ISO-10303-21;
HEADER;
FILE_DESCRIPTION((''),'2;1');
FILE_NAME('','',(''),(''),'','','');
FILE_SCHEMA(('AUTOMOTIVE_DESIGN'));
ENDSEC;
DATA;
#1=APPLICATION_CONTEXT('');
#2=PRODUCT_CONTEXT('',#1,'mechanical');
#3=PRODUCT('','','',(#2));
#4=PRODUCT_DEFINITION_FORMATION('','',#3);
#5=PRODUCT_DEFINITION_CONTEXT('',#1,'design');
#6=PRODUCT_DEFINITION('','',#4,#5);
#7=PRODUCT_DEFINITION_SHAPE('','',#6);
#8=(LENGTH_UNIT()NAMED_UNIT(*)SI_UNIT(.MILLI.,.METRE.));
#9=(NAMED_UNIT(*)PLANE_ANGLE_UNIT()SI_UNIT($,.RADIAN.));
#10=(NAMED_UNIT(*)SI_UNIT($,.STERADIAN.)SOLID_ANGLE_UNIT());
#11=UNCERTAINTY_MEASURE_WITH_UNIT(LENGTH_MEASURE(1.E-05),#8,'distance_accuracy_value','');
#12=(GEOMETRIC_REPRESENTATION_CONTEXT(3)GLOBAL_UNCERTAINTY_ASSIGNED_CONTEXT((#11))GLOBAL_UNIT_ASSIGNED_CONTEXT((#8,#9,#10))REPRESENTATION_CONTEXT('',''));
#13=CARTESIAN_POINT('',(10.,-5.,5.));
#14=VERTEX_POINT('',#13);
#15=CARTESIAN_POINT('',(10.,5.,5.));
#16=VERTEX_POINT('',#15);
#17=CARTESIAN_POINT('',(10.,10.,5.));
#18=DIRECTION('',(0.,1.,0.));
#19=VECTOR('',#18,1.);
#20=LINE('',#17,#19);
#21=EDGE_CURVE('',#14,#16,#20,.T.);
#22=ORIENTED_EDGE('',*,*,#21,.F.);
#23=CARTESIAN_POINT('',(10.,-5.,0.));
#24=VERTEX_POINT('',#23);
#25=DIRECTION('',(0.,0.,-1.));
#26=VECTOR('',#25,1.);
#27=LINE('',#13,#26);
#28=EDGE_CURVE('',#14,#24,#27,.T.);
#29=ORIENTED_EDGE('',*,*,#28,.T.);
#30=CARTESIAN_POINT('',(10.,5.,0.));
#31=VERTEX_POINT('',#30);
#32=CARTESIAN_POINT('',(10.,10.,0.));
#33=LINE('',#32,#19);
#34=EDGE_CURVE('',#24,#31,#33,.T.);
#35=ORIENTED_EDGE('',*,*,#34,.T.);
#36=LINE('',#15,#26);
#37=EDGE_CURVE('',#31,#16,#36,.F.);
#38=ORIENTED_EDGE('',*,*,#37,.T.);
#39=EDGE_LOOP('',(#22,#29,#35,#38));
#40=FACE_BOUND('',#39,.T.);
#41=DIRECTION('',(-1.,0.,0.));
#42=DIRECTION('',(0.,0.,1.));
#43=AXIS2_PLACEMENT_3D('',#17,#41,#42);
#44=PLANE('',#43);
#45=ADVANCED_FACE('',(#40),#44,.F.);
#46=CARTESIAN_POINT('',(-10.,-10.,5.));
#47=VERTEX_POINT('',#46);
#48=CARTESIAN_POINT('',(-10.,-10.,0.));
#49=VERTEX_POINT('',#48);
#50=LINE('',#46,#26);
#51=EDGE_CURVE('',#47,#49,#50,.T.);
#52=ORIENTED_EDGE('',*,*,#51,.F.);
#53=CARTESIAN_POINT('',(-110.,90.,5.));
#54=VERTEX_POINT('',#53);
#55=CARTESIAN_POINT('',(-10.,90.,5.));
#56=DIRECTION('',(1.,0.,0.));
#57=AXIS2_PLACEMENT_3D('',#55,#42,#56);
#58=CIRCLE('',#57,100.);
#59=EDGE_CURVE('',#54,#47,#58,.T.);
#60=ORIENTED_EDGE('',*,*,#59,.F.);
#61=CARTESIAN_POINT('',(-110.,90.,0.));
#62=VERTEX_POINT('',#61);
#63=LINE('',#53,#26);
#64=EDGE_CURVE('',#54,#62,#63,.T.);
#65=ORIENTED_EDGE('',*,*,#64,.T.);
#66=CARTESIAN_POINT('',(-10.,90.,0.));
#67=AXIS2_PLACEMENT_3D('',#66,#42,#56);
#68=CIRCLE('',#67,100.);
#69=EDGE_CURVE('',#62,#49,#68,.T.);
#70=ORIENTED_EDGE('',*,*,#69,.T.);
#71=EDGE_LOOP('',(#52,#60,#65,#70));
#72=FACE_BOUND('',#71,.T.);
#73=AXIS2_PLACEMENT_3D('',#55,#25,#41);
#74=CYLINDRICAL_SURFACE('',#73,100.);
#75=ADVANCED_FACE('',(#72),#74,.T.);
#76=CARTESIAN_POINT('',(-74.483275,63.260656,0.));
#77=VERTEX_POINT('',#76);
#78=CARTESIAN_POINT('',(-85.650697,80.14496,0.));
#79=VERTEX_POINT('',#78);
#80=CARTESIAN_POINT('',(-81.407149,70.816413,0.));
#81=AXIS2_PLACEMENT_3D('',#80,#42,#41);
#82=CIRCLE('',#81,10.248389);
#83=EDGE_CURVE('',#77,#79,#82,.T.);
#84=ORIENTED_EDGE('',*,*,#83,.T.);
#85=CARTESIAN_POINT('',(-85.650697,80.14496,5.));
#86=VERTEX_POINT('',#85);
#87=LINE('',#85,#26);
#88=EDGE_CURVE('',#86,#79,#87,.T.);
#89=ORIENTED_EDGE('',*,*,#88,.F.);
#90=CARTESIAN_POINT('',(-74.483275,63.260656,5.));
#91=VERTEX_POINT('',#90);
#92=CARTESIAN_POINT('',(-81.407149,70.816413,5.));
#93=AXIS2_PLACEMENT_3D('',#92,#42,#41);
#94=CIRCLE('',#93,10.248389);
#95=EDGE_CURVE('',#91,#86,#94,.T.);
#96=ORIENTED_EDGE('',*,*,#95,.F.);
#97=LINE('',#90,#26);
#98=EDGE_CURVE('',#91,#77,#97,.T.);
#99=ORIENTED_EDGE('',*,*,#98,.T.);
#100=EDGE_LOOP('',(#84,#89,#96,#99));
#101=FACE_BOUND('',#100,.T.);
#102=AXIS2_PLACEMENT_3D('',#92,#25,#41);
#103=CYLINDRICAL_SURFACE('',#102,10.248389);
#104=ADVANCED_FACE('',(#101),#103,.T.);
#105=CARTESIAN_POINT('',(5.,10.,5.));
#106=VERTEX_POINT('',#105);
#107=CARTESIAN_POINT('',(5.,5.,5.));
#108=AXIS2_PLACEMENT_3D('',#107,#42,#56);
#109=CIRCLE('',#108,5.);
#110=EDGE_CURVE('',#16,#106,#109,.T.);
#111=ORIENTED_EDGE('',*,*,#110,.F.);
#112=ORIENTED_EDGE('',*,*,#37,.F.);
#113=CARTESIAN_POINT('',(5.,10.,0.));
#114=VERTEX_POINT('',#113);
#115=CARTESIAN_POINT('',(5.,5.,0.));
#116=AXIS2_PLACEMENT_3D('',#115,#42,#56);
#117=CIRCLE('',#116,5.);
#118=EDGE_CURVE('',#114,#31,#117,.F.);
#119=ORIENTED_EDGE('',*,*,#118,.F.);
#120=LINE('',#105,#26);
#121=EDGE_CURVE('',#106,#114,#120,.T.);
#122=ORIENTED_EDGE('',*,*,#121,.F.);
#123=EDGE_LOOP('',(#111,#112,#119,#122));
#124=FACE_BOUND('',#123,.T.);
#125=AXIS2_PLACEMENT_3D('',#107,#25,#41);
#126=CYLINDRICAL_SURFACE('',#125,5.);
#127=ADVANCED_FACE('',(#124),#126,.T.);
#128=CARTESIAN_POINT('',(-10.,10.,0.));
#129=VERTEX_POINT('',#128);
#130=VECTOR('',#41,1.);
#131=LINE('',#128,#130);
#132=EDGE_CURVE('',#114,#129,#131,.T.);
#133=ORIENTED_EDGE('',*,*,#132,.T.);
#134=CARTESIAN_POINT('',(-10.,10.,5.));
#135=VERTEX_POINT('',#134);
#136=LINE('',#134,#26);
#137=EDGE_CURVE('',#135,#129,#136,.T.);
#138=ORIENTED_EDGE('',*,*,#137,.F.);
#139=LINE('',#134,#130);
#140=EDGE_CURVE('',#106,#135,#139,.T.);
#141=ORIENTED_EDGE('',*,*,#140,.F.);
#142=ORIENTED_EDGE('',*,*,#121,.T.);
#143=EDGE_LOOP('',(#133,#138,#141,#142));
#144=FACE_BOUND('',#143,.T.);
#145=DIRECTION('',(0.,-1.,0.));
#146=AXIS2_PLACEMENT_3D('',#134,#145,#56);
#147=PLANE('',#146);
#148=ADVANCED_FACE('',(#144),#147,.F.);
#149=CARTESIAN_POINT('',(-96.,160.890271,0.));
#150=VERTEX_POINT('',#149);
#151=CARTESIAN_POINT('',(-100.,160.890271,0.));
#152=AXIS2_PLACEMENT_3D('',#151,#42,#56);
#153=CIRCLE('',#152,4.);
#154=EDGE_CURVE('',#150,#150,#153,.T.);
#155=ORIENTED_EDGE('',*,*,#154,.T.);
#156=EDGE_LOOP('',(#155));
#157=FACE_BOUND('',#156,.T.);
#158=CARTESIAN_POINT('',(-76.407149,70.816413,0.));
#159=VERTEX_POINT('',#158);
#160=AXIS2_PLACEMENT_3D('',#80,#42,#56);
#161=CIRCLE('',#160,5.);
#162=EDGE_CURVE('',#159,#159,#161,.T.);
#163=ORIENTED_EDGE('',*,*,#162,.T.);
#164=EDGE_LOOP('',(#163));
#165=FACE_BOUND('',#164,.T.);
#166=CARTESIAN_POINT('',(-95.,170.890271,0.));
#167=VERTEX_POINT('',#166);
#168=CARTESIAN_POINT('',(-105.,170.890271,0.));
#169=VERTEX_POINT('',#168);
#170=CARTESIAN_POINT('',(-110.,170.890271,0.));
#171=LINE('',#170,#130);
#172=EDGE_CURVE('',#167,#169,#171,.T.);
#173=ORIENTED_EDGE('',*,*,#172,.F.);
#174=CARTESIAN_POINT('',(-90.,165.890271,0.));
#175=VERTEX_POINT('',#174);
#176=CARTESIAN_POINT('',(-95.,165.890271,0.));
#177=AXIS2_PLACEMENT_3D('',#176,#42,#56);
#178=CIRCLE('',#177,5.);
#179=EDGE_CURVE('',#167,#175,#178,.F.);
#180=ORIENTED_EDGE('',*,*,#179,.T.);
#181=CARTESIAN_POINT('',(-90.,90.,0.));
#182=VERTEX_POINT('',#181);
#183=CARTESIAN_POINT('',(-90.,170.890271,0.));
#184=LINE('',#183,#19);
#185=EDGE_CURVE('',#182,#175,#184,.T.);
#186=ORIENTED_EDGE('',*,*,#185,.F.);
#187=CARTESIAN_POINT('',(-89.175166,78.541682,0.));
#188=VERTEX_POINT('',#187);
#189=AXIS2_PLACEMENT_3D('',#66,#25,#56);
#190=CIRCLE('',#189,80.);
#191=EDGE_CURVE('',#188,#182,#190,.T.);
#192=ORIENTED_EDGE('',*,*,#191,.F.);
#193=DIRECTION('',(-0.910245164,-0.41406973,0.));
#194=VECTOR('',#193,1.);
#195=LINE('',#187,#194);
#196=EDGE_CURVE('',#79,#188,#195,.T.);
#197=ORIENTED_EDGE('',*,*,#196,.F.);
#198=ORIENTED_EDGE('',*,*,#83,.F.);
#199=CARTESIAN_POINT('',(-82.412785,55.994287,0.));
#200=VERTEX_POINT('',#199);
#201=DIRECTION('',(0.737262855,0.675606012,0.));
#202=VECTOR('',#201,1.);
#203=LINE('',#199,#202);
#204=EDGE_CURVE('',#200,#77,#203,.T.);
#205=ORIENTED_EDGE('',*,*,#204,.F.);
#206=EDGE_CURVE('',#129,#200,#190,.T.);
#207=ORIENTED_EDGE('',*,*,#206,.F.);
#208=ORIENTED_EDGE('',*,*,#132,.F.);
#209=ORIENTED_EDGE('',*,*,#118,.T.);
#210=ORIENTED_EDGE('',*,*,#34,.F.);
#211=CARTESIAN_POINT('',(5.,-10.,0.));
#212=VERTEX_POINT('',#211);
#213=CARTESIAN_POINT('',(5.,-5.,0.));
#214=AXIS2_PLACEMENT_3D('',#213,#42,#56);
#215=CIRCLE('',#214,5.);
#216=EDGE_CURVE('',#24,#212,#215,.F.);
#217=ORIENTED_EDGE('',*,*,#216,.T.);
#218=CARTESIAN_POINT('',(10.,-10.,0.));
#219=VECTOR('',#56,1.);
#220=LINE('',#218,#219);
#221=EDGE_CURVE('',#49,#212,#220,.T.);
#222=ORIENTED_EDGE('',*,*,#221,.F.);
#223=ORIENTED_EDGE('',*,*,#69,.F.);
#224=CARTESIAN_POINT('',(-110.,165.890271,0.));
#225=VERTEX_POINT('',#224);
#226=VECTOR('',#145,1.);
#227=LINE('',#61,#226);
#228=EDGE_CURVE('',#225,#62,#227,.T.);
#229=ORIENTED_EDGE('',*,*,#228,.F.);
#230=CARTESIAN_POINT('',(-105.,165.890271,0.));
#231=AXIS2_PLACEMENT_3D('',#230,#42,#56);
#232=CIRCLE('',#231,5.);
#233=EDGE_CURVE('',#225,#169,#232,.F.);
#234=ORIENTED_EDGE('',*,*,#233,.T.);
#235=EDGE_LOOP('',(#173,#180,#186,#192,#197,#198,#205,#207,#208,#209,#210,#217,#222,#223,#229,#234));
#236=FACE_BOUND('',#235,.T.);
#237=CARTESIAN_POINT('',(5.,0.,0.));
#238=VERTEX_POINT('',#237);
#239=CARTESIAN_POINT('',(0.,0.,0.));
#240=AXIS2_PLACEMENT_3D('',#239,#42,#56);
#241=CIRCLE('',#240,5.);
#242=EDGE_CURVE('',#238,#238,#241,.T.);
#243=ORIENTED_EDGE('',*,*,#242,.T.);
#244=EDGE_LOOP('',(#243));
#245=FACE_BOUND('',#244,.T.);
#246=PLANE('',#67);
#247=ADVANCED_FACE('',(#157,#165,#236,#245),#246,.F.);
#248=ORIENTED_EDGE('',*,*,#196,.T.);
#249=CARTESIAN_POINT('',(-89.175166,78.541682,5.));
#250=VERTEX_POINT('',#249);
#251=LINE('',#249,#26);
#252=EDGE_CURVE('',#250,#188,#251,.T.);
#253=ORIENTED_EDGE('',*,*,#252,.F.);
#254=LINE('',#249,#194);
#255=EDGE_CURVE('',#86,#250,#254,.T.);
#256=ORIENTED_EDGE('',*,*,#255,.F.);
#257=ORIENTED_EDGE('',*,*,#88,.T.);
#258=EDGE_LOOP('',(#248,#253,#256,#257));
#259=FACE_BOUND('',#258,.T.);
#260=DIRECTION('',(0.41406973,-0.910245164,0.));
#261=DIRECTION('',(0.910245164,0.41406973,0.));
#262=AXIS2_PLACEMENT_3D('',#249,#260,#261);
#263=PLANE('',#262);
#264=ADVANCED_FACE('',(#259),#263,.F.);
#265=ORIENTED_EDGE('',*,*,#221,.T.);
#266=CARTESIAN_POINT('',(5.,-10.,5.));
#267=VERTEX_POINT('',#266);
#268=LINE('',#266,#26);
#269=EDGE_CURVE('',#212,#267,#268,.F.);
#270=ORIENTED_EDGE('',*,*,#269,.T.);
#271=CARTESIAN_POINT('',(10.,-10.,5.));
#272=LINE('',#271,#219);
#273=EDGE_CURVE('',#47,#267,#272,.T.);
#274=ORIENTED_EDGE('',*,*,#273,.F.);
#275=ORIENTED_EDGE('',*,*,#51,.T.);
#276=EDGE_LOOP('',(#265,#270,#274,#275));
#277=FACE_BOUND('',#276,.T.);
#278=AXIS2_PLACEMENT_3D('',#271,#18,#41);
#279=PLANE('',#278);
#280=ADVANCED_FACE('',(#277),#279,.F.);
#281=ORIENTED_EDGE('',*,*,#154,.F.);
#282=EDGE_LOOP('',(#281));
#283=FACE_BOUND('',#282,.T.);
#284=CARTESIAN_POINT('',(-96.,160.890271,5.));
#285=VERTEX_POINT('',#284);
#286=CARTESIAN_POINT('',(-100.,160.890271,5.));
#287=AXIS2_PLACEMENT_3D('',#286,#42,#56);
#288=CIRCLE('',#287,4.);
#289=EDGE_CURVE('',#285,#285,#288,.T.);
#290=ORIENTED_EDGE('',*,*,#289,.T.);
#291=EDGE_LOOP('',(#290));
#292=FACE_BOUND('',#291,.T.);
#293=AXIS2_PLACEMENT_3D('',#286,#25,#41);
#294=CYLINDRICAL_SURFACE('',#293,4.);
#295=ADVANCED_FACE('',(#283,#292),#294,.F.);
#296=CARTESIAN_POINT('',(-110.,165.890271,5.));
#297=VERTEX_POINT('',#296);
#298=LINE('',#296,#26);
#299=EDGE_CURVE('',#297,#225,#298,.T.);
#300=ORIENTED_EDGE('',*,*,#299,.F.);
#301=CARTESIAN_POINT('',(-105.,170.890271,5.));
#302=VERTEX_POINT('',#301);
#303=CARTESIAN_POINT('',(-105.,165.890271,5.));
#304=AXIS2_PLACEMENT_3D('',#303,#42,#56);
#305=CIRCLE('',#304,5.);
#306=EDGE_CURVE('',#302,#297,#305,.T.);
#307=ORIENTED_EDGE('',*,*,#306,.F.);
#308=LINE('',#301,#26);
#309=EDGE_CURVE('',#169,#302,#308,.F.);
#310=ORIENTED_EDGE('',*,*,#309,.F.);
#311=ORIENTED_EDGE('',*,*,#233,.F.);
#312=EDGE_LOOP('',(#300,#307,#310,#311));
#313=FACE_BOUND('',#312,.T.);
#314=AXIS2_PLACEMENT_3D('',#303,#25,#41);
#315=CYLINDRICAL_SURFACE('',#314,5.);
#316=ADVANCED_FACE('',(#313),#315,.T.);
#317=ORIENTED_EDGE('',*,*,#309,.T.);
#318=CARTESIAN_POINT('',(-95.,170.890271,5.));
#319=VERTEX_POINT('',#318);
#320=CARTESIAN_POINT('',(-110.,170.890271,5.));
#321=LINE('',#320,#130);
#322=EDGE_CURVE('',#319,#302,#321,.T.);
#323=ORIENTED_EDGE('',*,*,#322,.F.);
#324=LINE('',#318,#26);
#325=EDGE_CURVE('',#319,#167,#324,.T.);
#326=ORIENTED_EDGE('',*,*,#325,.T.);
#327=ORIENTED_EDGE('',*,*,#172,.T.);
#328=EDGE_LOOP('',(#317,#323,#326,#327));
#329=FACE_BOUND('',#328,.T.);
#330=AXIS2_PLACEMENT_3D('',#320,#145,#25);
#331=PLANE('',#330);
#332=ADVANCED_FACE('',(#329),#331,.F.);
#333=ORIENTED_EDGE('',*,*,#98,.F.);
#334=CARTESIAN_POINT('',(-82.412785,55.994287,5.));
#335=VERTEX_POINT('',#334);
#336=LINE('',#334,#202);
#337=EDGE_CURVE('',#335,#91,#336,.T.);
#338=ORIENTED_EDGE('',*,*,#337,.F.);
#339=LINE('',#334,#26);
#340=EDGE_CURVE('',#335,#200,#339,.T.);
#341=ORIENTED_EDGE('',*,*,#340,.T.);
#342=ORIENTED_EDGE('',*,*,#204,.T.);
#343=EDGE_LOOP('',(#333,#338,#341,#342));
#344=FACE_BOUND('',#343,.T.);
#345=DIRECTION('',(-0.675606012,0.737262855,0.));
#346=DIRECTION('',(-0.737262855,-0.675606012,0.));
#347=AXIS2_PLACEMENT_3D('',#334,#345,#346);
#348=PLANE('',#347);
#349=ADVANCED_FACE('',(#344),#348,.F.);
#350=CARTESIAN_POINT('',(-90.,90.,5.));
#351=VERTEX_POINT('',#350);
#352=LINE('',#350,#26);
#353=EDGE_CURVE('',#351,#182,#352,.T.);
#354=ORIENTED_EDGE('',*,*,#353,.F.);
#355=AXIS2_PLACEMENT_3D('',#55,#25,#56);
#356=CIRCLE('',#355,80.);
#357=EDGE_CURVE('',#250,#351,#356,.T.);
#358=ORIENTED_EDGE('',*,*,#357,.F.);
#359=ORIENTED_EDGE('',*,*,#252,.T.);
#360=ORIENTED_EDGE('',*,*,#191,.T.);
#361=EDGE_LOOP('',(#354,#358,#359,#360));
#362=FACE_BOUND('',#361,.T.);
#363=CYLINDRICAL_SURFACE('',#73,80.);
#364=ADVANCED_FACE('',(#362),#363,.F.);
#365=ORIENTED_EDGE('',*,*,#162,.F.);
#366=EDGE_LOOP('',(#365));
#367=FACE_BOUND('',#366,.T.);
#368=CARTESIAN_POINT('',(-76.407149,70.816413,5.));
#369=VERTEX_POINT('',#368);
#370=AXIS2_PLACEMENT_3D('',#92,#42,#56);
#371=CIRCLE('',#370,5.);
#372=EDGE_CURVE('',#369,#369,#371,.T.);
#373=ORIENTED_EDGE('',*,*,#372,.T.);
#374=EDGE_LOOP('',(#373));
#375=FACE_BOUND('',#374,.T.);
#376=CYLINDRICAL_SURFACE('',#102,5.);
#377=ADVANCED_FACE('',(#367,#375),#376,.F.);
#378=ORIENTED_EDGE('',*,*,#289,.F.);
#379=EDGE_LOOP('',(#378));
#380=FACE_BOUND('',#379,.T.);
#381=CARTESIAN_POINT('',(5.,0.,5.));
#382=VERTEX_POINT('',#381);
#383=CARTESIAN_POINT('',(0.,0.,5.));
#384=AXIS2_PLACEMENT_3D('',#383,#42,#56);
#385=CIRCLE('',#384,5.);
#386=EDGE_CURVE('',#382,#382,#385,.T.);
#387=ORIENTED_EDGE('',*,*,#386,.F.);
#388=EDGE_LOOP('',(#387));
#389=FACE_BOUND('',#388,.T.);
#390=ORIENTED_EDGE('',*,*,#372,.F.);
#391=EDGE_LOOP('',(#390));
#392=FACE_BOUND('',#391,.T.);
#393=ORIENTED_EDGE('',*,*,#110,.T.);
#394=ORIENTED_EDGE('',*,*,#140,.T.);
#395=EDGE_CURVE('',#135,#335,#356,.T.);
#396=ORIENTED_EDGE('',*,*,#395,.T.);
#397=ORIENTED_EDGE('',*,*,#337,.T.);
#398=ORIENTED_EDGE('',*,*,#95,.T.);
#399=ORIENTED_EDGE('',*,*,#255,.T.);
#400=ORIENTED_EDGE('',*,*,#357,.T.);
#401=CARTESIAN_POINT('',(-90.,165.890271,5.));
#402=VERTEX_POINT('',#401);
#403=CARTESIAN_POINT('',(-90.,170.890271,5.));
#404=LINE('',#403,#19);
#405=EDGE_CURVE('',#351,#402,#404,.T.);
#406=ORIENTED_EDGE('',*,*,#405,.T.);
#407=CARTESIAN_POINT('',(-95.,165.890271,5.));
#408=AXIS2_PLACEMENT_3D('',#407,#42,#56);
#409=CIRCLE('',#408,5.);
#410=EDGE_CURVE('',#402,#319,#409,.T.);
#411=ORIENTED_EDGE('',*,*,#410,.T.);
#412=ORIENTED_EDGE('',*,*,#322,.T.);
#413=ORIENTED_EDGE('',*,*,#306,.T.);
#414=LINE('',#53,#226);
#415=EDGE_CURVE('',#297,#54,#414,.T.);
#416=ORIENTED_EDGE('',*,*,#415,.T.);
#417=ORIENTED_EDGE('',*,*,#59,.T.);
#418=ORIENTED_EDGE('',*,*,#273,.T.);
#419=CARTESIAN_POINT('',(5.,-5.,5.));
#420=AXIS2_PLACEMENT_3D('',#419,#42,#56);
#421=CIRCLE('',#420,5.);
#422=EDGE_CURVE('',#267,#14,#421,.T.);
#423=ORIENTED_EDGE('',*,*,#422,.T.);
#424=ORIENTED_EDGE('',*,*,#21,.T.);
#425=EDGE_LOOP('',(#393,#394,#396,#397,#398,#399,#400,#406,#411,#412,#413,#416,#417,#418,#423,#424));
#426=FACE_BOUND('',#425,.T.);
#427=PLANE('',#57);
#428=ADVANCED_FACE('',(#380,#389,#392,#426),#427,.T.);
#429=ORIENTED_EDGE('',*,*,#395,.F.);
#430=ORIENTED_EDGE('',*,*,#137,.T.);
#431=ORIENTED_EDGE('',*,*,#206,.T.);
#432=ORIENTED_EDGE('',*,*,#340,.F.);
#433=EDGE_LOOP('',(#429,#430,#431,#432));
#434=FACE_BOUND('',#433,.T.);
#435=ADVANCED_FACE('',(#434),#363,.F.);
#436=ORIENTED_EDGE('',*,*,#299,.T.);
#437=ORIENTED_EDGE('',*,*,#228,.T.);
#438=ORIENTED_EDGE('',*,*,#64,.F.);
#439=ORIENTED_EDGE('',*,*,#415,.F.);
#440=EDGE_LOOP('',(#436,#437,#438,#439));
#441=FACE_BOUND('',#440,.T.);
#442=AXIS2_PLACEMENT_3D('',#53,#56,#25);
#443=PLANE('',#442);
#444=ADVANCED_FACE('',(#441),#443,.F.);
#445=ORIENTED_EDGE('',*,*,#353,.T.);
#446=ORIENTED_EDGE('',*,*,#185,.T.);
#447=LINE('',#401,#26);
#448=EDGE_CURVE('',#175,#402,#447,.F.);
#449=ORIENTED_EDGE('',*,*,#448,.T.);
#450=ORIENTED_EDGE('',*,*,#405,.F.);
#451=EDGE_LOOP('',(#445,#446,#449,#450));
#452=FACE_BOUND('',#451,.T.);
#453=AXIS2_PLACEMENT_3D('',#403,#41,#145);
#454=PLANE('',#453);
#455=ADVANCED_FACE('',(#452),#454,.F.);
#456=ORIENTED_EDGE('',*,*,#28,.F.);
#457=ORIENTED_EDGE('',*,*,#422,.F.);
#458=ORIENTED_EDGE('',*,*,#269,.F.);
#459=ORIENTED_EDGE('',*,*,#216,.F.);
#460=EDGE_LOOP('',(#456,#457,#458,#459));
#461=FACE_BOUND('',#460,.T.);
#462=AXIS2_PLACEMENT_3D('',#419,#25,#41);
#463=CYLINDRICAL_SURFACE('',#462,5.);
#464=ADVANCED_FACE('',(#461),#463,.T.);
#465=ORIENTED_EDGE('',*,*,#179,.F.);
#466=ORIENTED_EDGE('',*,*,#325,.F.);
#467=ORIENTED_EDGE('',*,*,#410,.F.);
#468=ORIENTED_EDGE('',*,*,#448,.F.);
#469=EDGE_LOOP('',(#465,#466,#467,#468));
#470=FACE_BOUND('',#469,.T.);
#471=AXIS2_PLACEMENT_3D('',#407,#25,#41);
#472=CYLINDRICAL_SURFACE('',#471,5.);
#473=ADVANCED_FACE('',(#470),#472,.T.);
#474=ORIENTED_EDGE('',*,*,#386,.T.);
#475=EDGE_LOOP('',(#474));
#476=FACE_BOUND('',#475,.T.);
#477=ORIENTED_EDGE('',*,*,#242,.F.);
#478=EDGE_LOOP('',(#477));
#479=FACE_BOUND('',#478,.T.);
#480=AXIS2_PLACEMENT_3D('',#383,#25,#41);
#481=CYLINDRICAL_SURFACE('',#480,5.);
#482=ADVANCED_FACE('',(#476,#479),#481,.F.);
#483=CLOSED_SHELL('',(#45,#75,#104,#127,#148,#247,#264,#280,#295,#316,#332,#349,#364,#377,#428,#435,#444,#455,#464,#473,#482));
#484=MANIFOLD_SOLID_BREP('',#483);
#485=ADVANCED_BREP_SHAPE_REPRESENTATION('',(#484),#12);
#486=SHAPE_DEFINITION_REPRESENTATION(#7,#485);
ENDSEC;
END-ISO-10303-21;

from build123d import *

# Parameters (mm, degrees)
SKETCH1_R           = 5
SKETCH1_R_2         = 4
BOSS_EXTRUDE1_DEPTH = 5
FILLET3_R           = 5


with BuildPart() as part:
    # Sketch1 → Boss-Extrude1 (new body)
    with BuildSketch(Plane.XY):
        with BuildLine():
            Line((-10, 10), (10, 10))
            Line((10, 10), (10, -10))
            Line((10, -10), (-10, -10))
            ThreePointArc((-10, -10), (-80.710678119, 19.289321881), (-110, 90))
            Line((-110, 90), (-110, 170.890270731))
            Line((-110, 170.890270731), (-90, 170.890270731))
            Line((-90, 170.890270731), (-90, 90))
            ThreePointArc((-90, 90), (-89.793525108, 84.256016114), (-89.175166228, 78.541681939))
            Line((-89.175166228, 78.541681939), (-85.65069666, 80.144960069))
            ThreePointArc((-85.65069666, 80.144960069), (-72.859285644, 76.470042175), (-74.483275307, 63.260656311))
            Line((-74.483275307, 63.260656311), (-82.412785145, 55.994286547))
            ThreePointArc((-82.412785145, 55.994286547), (-52.892557185, 22.470535778), (-10, 10))
        make_face()
        Circle(SKETCH1_R, mode=Mode.SUBTRACT)
        with Locations((-100, 160.890270731)):
            Circle(SKETCH1_R_2, mode=Mode.SUBTRACT)
        with Locations((-81.407148813, 70.816413156)):
            Circle(SKETCH1_R, mode=Mode.SUBTRACT)
    extrude(amount=BOSS_EXTRUDE1_DEPTH)

    # Fillet3
    fillet3_edges = [part.edges().sort_by_distance(p)[0] for p in [
        (10, -10, 2.5),
        (-110, 170.890270731, 2.5),
        (-90, 170.890270731, 2.5),
        (10, 10, 2.5),
    ]]
    fillet(fillet3_edges, radius=FILLET3_R)


solid = part.part
